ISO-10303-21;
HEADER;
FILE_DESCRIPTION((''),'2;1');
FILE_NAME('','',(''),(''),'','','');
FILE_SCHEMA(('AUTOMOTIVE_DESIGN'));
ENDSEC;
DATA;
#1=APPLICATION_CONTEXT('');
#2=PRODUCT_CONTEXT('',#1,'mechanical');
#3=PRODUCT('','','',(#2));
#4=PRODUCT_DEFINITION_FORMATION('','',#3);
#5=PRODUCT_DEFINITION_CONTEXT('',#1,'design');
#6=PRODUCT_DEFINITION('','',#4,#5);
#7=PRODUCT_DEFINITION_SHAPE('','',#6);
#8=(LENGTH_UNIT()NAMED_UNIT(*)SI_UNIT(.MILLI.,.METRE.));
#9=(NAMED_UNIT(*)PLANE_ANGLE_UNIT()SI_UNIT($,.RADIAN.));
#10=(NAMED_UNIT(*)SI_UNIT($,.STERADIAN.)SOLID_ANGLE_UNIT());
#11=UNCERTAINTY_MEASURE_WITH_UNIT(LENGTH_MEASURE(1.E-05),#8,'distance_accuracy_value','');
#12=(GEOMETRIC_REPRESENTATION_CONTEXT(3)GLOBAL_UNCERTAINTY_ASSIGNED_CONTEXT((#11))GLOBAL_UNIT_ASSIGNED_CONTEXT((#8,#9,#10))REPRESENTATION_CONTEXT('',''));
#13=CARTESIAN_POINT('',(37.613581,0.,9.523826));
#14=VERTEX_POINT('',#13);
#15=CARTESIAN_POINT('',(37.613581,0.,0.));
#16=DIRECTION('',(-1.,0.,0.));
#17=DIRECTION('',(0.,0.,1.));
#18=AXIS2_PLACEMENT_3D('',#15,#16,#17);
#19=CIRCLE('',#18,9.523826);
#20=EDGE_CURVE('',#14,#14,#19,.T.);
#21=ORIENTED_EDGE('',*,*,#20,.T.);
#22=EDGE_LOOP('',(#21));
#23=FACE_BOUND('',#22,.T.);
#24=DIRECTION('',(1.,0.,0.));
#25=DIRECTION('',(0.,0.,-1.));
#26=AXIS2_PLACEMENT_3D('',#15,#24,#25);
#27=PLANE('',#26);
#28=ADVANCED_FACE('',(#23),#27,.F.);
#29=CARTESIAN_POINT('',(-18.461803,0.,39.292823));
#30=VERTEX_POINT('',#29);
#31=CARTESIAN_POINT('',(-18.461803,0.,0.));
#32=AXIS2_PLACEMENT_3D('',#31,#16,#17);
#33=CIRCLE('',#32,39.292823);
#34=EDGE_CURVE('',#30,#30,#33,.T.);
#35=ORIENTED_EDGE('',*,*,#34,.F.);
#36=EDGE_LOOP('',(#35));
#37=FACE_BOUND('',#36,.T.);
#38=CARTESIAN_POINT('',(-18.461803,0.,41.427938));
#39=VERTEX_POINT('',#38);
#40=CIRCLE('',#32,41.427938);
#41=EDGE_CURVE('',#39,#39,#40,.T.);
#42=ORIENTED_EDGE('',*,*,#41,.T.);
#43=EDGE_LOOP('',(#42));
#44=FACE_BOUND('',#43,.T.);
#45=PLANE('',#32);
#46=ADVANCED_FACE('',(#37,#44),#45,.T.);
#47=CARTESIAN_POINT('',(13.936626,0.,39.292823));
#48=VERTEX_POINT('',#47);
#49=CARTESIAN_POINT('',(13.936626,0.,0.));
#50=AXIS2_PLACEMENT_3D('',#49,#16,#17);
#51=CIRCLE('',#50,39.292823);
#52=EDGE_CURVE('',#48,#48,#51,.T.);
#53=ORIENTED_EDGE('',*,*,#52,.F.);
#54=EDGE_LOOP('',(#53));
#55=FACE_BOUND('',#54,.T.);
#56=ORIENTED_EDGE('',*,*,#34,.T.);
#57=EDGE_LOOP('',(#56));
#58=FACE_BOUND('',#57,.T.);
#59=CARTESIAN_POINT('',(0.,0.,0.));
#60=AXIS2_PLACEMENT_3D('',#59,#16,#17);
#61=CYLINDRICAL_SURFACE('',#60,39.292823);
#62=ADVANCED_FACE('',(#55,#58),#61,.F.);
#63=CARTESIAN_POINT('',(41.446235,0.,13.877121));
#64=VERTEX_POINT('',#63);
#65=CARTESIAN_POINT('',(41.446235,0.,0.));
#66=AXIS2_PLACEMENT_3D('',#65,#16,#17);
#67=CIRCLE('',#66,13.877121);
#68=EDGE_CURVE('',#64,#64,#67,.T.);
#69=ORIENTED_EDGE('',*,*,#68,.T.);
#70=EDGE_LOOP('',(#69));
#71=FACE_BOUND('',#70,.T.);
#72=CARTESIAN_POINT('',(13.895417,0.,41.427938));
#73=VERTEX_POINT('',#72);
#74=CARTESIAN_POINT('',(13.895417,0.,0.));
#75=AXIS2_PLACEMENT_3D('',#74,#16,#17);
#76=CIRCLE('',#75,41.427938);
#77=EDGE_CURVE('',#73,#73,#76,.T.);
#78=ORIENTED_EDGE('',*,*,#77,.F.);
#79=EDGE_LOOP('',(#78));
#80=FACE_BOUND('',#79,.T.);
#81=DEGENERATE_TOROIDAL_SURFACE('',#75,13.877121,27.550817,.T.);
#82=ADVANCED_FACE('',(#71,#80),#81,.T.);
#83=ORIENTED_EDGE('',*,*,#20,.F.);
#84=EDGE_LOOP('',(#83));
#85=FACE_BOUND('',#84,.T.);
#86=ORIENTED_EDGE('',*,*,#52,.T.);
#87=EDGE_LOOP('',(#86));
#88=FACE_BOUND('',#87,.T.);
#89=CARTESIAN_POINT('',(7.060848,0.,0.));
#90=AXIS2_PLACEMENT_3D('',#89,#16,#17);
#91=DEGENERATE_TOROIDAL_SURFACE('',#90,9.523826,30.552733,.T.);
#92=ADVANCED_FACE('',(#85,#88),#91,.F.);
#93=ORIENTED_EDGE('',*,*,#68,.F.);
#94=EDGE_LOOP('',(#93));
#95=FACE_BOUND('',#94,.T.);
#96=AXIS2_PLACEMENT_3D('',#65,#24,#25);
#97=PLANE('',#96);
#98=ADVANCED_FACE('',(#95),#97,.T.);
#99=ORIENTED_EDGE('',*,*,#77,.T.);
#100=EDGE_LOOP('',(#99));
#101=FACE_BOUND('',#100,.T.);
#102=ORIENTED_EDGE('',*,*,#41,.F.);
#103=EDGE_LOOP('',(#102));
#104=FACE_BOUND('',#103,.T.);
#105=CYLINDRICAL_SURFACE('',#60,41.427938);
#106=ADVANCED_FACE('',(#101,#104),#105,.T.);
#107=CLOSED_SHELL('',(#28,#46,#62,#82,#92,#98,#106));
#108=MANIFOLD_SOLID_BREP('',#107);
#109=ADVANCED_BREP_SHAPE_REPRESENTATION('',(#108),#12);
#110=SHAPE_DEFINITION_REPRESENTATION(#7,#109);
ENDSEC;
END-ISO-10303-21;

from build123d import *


with BuildPart() as part:
    # Sketch1 → Revolve1 (revolve)
    with BuildSketch(Plane.XY):
        with BuildLine():
            Line((-18.46180283, 41.427938133), (-18.46180283, 39.292822958))
            Line((-18.46180283, 39.292822958), (13.936626274, 39.292822958))
            ThreePointArc((13.936626274, 39.292822958), (30.972595004, 28.542181462), (37.613580664, 9.523826312))
            Line((37.613580664, 9.523826312), (37.613580664, 0))
            Line((37.613580664, 0), (41.446234578, 0))
            Line((41.446234578, 0), (41.446234578, 13.87712105))
            ThreePointArc((41.446234578, 13.87712105), (33.376787082, 33.358490637), (13.895417495, 41.427938133))
            Line((13.895417495, 41.427938133), (-18.46180283, 41.427938133))
        make_face()
    revolve(axis=Axis((0, 0, 0), (1, 0, 0)))


solid = part.part
